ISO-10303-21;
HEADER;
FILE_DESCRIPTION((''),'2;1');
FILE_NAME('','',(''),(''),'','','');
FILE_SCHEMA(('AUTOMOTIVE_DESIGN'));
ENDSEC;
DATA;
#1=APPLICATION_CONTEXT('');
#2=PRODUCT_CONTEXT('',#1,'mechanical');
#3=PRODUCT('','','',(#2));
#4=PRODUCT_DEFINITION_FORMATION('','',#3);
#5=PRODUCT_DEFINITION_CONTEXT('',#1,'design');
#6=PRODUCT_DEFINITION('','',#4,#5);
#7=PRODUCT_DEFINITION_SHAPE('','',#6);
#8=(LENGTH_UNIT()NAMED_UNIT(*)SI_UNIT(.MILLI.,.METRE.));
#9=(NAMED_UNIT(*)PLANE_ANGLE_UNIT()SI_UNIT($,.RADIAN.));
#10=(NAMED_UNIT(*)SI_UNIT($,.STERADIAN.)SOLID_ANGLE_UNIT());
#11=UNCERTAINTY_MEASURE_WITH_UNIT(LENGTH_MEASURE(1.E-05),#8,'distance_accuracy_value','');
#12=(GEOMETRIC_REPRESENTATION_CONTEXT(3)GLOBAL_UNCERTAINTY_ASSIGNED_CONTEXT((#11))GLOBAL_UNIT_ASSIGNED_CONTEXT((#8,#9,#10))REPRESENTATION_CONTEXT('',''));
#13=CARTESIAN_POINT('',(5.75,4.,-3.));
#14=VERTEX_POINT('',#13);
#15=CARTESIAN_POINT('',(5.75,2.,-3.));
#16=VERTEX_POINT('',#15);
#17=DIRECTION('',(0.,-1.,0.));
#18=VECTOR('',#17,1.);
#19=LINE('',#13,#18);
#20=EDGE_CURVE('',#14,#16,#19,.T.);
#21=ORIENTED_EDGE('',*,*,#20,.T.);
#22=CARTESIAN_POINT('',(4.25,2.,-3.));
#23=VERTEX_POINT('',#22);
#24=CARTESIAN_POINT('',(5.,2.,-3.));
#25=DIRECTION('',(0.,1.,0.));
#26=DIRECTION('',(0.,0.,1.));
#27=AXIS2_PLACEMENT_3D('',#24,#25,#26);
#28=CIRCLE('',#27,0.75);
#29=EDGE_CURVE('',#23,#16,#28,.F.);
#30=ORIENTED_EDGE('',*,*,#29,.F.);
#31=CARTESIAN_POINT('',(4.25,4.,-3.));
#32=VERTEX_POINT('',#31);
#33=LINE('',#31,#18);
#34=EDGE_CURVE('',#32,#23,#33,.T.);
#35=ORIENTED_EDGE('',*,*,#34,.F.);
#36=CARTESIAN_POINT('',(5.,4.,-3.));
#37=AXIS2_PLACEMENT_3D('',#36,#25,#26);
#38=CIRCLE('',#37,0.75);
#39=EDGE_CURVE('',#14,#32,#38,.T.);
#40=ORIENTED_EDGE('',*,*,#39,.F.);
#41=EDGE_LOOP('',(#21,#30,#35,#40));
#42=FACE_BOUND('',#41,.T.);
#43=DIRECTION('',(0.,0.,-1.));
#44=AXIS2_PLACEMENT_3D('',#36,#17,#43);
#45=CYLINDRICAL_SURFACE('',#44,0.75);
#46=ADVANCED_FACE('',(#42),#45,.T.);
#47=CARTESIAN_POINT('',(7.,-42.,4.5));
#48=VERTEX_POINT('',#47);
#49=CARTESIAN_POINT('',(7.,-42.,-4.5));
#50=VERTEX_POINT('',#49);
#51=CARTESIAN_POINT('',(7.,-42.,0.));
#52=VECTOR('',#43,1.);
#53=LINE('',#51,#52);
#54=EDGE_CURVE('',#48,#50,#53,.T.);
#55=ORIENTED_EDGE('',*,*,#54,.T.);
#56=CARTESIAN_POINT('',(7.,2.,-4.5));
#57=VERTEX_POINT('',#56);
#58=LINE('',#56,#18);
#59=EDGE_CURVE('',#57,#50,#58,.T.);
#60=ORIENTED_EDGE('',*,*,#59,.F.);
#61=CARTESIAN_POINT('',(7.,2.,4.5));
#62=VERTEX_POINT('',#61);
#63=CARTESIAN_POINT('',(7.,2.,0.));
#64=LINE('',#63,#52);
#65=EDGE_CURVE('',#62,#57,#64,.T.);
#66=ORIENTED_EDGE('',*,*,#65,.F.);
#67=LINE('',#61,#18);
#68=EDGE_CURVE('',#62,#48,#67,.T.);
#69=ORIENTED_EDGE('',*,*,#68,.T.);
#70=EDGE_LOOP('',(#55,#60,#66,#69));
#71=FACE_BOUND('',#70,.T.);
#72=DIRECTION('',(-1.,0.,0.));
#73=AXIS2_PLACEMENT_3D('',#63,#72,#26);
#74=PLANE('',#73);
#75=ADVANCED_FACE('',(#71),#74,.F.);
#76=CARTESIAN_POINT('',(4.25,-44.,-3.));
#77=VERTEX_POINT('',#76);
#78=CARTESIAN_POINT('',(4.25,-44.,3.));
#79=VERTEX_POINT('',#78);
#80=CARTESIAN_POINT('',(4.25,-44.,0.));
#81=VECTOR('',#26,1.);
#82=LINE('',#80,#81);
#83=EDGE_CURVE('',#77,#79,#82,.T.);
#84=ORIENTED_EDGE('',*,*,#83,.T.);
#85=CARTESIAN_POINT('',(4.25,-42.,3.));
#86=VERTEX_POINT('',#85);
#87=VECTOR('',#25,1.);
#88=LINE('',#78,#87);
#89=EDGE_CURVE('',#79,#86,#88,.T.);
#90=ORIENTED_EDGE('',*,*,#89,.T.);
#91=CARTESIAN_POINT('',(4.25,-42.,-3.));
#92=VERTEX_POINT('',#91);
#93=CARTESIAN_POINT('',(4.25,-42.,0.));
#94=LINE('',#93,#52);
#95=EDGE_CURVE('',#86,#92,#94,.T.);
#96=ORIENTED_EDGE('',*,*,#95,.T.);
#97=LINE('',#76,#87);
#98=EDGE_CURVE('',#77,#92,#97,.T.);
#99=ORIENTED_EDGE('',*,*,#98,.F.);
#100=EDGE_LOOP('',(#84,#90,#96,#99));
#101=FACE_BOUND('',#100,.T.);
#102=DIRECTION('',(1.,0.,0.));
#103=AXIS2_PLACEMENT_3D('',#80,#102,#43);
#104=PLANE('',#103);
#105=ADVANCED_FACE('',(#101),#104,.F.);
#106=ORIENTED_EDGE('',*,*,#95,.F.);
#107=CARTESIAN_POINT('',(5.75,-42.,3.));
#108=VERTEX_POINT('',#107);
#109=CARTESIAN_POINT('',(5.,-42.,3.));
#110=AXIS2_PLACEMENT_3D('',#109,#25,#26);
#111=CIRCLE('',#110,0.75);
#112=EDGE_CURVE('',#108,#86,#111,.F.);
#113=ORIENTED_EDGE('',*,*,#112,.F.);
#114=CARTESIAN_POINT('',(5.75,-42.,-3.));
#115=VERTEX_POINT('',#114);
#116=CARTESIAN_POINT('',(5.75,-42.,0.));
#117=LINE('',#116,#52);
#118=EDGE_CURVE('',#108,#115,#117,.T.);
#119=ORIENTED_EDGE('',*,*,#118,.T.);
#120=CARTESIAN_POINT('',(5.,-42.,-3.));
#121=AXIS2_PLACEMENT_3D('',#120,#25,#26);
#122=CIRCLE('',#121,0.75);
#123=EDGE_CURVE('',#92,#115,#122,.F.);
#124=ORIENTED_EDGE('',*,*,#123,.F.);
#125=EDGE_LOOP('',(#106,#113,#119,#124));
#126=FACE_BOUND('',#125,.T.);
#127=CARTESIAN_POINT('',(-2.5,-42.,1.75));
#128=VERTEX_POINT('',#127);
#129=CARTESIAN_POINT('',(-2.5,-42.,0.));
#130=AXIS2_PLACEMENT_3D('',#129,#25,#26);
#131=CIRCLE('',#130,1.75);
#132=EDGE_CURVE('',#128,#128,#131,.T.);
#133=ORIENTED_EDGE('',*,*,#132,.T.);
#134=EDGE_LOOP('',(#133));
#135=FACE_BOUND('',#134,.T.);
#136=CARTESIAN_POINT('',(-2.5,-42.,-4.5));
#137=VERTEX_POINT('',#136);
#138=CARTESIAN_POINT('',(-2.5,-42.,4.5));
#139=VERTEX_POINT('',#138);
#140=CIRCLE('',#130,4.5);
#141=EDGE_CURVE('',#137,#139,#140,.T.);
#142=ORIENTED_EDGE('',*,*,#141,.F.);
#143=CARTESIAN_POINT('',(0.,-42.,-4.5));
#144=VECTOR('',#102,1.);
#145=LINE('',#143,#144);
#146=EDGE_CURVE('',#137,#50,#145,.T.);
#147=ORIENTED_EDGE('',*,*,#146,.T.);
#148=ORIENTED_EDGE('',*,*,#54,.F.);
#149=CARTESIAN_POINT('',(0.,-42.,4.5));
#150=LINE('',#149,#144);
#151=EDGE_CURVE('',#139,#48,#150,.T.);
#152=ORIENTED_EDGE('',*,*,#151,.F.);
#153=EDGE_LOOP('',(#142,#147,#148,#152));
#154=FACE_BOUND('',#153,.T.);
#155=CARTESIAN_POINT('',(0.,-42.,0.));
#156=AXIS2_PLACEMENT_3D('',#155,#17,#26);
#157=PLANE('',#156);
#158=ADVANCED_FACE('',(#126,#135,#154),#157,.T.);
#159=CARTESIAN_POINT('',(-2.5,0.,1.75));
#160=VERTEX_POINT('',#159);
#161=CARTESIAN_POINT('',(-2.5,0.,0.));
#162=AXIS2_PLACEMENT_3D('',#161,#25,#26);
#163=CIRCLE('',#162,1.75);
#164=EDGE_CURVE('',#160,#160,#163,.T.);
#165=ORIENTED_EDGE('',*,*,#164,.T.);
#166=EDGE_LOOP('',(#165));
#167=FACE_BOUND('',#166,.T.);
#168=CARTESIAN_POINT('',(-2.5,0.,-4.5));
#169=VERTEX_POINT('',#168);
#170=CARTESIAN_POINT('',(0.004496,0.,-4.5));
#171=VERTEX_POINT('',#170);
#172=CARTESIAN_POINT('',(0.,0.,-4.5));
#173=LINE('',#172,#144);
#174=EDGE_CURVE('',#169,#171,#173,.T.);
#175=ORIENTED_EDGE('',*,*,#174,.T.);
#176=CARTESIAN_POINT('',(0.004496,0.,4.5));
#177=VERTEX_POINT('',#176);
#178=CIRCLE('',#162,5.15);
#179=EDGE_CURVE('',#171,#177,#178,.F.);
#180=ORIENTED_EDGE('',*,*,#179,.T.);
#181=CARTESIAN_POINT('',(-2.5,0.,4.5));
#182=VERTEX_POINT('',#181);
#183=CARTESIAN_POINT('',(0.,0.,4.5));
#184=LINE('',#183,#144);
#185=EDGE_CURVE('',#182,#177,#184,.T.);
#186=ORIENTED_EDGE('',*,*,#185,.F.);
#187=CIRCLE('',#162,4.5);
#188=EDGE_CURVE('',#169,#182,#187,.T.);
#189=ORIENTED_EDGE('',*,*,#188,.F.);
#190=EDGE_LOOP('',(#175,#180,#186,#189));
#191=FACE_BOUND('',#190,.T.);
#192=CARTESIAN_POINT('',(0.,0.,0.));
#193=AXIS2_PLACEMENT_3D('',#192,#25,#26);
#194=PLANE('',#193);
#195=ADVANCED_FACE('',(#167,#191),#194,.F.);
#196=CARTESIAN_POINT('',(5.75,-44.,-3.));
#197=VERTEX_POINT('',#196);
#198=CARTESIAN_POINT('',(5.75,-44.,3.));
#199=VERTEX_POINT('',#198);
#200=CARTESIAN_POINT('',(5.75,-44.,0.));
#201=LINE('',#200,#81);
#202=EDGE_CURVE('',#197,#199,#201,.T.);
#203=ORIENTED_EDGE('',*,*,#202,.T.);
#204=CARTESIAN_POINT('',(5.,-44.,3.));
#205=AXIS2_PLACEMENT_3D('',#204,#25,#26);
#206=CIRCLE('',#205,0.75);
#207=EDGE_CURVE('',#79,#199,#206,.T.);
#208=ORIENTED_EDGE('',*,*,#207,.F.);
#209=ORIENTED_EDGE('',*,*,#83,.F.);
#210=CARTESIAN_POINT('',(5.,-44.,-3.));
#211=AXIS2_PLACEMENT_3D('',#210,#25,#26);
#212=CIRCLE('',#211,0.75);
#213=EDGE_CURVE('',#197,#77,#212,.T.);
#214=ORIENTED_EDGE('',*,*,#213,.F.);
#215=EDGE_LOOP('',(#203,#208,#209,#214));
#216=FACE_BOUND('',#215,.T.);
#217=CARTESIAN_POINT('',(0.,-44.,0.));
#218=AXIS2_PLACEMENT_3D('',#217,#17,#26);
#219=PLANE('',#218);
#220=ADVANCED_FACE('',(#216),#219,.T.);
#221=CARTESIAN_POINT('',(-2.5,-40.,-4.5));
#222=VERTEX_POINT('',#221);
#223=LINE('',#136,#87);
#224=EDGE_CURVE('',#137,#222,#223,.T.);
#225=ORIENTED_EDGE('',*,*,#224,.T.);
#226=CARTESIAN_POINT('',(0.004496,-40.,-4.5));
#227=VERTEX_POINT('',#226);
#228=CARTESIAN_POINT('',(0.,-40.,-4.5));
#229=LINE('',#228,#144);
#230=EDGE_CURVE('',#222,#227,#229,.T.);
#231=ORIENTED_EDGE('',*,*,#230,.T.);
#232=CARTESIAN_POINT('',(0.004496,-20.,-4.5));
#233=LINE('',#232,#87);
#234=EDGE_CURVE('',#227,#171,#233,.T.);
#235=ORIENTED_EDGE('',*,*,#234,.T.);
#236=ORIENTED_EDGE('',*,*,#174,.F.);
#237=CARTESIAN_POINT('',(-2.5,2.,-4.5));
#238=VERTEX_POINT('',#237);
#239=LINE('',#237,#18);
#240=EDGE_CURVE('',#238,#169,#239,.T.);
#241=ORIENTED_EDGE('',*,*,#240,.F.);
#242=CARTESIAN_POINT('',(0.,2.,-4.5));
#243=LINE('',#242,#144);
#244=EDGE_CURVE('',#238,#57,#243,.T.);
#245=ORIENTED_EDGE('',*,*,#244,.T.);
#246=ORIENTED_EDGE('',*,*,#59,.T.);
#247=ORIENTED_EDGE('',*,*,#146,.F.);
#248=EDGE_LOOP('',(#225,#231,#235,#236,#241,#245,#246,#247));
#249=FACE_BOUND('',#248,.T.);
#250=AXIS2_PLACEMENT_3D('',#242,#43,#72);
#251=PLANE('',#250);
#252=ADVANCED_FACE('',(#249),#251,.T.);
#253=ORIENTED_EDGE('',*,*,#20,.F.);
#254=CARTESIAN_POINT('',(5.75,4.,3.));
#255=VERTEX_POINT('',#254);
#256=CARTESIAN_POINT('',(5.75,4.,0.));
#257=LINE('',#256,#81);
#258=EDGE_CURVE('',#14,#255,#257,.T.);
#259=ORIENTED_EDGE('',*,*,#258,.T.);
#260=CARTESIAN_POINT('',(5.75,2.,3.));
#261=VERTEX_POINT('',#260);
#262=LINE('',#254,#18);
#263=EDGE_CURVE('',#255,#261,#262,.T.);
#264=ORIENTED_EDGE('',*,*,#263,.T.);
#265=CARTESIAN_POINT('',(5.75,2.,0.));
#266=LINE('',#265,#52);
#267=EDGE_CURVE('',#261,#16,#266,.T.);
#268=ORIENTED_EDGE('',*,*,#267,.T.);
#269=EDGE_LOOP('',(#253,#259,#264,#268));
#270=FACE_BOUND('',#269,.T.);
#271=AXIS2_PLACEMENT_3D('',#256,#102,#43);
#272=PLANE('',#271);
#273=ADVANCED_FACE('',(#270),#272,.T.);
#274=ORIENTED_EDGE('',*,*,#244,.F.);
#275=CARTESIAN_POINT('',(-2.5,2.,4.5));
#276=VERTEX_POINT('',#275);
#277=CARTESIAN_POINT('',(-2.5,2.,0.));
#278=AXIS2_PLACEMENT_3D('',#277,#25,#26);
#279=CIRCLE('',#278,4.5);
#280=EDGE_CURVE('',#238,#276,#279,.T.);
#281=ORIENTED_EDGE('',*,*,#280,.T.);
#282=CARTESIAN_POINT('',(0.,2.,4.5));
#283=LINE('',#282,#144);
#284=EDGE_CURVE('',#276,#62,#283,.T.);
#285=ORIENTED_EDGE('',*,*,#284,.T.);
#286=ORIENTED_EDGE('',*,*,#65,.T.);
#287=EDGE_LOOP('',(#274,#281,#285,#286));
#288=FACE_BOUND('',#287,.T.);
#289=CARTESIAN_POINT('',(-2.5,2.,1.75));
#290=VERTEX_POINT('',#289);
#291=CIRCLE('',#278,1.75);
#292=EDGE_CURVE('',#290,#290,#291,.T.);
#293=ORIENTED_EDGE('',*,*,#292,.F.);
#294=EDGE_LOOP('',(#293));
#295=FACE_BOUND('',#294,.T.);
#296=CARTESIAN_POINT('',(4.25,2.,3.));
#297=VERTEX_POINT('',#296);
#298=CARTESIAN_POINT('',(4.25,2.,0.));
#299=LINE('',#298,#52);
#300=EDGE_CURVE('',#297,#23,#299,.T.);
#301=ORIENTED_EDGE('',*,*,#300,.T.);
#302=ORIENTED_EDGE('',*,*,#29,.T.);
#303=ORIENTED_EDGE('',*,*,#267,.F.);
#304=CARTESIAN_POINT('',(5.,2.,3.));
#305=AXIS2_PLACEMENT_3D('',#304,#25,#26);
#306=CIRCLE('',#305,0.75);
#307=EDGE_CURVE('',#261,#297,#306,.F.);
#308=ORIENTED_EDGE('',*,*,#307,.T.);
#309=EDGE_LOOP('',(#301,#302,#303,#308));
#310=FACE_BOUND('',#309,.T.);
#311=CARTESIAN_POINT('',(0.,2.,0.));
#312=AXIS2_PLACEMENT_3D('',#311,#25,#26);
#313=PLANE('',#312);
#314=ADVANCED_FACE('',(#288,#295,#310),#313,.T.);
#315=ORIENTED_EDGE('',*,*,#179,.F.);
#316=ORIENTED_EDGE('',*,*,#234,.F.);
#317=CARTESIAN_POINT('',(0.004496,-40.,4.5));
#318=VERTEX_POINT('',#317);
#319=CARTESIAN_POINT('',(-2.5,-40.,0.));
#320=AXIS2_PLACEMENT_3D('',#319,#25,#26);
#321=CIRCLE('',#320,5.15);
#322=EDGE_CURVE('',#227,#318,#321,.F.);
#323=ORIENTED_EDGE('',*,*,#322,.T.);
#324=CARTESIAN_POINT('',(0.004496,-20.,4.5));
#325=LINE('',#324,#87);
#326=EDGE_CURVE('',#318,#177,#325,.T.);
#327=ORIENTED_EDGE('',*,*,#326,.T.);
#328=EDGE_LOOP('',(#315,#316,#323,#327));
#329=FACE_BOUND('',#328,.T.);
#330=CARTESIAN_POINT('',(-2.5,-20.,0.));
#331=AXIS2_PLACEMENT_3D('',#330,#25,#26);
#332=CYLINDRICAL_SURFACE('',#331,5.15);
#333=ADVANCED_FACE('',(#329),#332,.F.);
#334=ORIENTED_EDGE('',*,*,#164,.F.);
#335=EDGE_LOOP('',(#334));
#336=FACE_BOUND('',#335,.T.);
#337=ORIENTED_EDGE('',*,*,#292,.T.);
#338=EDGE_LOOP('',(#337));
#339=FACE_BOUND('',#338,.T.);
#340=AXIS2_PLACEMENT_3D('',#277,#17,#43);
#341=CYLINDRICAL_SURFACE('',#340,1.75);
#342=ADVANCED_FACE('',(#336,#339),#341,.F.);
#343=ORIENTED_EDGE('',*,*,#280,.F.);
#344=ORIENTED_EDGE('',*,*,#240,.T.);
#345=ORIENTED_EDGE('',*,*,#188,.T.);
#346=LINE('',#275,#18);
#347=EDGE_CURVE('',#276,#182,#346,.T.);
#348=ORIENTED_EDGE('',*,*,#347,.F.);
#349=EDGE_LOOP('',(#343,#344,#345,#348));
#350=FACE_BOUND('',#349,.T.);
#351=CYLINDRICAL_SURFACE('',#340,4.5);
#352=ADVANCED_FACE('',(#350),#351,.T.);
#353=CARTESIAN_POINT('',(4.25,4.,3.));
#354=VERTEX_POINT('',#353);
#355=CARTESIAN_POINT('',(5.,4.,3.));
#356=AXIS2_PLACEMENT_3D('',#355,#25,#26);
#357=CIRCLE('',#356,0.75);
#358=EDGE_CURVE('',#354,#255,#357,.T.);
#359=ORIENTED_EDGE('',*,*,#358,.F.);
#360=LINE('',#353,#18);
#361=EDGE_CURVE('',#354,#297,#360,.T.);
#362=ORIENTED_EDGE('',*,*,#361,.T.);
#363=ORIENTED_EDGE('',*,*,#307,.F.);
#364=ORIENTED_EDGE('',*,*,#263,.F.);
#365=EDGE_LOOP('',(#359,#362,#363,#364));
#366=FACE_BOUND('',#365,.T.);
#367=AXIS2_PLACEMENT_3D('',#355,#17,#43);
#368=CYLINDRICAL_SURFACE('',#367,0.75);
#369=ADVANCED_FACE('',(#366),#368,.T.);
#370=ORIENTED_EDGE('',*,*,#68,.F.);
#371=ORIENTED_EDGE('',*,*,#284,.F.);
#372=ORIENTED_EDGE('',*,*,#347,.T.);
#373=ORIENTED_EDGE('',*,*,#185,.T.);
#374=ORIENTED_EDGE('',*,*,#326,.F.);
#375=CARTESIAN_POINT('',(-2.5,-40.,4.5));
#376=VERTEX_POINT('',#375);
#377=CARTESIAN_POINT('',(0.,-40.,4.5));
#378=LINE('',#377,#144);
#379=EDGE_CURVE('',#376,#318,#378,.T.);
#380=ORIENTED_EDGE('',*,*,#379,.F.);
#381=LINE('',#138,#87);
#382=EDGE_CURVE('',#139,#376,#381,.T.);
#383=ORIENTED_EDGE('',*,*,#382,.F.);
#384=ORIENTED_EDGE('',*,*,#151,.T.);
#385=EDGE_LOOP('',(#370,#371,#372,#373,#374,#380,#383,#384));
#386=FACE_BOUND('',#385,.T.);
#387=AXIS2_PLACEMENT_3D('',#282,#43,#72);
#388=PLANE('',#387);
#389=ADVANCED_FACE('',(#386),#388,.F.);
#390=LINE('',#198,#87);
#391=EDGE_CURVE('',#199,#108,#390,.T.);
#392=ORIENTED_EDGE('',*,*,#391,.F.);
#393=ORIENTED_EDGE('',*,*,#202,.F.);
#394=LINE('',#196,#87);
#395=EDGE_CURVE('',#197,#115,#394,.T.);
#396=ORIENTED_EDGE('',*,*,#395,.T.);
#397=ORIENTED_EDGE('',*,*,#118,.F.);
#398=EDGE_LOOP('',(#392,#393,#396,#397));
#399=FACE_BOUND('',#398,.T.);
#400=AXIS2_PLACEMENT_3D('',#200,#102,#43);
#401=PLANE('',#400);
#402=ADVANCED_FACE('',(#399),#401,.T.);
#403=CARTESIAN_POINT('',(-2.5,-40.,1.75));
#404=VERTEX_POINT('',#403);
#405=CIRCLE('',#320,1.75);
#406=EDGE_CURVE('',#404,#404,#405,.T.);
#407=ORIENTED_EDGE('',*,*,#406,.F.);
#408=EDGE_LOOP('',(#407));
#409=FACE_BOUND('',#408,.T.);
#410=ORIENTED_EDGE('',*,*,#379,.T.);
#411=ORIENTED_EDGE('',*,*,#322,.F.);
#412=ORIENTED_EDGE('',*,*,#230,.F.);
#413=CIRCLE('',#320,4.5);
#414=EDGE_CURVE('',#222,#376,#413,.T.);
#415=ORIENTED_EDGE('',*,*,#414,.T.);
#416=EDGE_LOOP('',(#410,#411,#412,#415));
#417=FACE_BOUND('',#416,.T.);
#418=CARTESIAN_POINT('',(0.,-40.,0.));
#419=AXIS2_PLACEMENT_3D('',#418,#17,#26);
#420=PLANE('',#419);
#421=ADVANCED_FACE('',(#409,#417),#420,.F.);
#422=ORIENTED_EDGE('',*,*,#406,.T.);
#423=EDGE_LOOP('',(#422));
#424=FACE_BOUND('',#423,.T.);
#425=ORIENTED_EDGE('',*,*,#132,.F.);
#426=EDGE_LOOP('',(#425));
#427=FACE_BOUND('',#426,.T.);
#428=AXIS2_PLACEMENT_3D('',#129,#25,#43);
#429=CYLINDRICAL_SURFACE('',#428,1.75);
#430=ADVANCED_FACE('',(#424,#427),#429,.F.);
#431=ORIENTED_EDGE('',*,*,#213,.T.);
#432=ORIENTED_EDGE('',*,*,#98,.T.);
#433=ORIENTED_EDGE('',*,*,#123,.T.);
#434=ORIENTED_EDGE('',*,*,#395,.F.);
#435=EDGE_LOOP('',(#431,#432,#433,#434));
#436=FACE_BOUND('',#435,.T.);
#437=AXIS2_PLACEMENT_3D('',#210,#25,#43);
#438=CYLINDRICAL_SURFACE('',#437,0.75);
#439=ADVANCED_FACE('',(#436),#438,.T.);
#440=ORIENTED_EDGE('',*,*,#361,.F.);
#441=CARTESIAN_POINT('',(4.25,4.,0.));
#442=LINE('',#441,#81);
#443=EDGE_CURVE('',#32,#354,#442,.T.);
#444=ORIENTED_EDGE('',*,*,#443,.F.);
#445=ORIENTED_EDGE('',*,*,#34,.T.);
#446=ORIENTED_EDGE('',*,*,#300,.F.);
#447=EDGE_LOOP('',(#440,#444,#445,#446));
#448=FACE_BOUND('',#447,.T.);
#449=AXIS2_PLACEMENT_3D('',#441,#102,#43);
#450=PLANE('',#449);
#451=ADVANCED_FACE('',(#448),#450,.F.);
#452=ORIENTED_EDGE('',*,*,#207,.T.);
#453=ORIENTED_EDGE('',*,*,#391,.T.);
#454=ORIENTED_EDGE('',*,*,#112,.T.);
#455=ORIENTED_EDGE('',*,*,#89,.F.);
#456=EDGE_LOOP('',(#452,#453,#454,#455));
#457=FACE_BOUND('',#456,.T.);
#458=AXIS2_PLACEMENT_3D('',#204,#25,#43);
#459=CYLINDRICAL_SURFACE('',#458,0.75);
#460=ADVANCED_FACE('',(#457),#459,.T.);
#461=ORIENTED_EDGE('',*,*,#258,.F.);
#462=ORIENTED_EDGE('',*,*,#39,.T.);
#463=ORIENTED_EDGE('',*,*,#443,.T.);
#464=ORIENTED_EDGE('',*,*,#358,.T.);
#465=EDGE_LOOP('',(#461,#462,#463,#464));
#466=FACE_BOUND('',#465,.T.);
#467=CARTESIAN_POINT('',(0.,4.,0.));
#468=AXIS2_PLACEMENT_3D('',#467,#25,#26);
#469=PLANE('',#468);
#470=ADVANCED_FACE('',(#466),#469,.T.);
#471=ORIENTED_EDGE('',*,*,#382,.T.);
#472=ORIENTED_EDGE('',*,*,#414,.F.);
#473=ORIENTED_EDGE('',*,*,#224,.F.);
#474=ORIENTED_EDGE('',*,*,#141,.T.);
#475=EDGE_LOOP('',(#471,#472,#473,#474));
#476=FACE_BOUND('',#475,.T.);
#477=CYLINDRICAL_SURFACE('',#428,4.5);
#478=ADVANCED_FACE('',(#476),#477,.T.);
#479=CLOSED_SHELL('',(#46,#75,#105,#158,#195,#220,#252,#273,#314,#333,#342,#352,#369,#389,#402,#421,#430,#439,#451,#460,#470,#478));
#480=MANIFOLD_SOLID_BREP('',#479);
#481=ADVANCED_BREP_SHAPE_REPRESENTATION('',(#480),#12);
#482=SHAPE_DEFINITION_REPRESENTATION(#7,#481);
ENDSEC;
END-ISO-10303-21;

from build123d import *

# Parameters (mm, degrees)
SKETCH1_R           = 1.75
BOSS_EXTRUDE3_DEPTH = 2
BOSS_EXTRUDE4_DEPTH = 20
BOSS_EXTRUDE5_DEPTH = 4


with BuildPart() as part:
    # Sketch1 → Boss-Extrude3 (new body)
    with BuildSketch(Plane(origin=(0, 0, 0), x_dir=(1, 0, 0), z_dir=(0, 1, 0))):
        with BuildLine():
            ThreePointArc((-2.5, 4.5), (-7, 0), (-2.5, -4.5))
            Line((-2.5, -4.5), (7, -4.5))
            Line((7, -4.5), (7, 4.5))
            Line((7, 4.5), (-2.5, 4.5))
        make_face()
        with Locations((-2.5, 0)):
            Circle(SKETCH1_R, mode=Mode.SUBTRACT)
    extrude(amount=BOSS_EXTRUDE3_DEPTH)

    # Sketch1<3> → Boss-Extrude4 (add)
    # profile 1 of 2: a face of its own
    with BuildSketch(Plane(origin=(0, 0, 0), x_dir=(1, 0, 0), z_dir=(0, 1, 0))):
        with BuildLine():
            Line((2.508991915, 4.5), (0.004495957, 4.5))
            ThreePointArc((0.004495957, 4.5), (2.65, 0), (0.004495957, -4.5))
            Line((0.004495957, -4.5), (2.508991915, -4.5))
            Line((2.508991915, -4.5), (7, -4.5))
            Line((7, -4.5), (7, 4.5))
            Line((7, 4.5), (2.508991915, 4.5))
        make_face()
        with BuildLine():
            ThreePointArc((4.25, 3), (5, 3.75), (5.75, 3))
            Line((5.75, 3), (5.75, -3))
            ThreePointArc((5.75, -3), (5, -3.75), (4.25, -3))
            Line((4.25, -3), (4.25, 3))
        make_face(mode=Mode.SUBTRACT)
    # profile 2 of 2: a face of its own
    with BuildSketch(Plane(origin=(0, 0, 0), x_dir=(1, 0, 0), z_dir=(0, 1, 0))):
        with BuildLine():
            Line((4.25, 3), (4.25, -3))
            ThreePointArc((4.25, -3), (5, -3.75), (5.75, -3))
            Line((5.75, -3), (5.75, 3))
            ThreePointArc((5.75, 3), (5, 3.75), (4.25, 3))
        make_face()
    extrude(amount=-BOSS_EXTRUDE4_DEPTH)

    # Sketch1<5> → Boss-Extrude5 (add)
    with BuildSketch(Plane(origin=(0, 0, 0), x_dir=(1, 0, 0), z_dir=(0, 1, 0))):
        with BuildLine():
            Line((5.75, -3), (5.75, 3))
            ThreePointArc((5.75, 3), (5, 3.75), (4.25, 3))
            Line((4.25, 3), (4.25, -3))
            ThreePointArc((4.25, -3), (5, -3.75), (5.75, -3))
        make_face()
    extrude(amount=BOSS_EXTRUDE5_DEPTH)

    # Mirror1: part across plane


with BuildPart() as part_1:
    add(part.part)
    add(part.part.mirror(Plane.ZX.offset(-20)))


solid = part_1.part
